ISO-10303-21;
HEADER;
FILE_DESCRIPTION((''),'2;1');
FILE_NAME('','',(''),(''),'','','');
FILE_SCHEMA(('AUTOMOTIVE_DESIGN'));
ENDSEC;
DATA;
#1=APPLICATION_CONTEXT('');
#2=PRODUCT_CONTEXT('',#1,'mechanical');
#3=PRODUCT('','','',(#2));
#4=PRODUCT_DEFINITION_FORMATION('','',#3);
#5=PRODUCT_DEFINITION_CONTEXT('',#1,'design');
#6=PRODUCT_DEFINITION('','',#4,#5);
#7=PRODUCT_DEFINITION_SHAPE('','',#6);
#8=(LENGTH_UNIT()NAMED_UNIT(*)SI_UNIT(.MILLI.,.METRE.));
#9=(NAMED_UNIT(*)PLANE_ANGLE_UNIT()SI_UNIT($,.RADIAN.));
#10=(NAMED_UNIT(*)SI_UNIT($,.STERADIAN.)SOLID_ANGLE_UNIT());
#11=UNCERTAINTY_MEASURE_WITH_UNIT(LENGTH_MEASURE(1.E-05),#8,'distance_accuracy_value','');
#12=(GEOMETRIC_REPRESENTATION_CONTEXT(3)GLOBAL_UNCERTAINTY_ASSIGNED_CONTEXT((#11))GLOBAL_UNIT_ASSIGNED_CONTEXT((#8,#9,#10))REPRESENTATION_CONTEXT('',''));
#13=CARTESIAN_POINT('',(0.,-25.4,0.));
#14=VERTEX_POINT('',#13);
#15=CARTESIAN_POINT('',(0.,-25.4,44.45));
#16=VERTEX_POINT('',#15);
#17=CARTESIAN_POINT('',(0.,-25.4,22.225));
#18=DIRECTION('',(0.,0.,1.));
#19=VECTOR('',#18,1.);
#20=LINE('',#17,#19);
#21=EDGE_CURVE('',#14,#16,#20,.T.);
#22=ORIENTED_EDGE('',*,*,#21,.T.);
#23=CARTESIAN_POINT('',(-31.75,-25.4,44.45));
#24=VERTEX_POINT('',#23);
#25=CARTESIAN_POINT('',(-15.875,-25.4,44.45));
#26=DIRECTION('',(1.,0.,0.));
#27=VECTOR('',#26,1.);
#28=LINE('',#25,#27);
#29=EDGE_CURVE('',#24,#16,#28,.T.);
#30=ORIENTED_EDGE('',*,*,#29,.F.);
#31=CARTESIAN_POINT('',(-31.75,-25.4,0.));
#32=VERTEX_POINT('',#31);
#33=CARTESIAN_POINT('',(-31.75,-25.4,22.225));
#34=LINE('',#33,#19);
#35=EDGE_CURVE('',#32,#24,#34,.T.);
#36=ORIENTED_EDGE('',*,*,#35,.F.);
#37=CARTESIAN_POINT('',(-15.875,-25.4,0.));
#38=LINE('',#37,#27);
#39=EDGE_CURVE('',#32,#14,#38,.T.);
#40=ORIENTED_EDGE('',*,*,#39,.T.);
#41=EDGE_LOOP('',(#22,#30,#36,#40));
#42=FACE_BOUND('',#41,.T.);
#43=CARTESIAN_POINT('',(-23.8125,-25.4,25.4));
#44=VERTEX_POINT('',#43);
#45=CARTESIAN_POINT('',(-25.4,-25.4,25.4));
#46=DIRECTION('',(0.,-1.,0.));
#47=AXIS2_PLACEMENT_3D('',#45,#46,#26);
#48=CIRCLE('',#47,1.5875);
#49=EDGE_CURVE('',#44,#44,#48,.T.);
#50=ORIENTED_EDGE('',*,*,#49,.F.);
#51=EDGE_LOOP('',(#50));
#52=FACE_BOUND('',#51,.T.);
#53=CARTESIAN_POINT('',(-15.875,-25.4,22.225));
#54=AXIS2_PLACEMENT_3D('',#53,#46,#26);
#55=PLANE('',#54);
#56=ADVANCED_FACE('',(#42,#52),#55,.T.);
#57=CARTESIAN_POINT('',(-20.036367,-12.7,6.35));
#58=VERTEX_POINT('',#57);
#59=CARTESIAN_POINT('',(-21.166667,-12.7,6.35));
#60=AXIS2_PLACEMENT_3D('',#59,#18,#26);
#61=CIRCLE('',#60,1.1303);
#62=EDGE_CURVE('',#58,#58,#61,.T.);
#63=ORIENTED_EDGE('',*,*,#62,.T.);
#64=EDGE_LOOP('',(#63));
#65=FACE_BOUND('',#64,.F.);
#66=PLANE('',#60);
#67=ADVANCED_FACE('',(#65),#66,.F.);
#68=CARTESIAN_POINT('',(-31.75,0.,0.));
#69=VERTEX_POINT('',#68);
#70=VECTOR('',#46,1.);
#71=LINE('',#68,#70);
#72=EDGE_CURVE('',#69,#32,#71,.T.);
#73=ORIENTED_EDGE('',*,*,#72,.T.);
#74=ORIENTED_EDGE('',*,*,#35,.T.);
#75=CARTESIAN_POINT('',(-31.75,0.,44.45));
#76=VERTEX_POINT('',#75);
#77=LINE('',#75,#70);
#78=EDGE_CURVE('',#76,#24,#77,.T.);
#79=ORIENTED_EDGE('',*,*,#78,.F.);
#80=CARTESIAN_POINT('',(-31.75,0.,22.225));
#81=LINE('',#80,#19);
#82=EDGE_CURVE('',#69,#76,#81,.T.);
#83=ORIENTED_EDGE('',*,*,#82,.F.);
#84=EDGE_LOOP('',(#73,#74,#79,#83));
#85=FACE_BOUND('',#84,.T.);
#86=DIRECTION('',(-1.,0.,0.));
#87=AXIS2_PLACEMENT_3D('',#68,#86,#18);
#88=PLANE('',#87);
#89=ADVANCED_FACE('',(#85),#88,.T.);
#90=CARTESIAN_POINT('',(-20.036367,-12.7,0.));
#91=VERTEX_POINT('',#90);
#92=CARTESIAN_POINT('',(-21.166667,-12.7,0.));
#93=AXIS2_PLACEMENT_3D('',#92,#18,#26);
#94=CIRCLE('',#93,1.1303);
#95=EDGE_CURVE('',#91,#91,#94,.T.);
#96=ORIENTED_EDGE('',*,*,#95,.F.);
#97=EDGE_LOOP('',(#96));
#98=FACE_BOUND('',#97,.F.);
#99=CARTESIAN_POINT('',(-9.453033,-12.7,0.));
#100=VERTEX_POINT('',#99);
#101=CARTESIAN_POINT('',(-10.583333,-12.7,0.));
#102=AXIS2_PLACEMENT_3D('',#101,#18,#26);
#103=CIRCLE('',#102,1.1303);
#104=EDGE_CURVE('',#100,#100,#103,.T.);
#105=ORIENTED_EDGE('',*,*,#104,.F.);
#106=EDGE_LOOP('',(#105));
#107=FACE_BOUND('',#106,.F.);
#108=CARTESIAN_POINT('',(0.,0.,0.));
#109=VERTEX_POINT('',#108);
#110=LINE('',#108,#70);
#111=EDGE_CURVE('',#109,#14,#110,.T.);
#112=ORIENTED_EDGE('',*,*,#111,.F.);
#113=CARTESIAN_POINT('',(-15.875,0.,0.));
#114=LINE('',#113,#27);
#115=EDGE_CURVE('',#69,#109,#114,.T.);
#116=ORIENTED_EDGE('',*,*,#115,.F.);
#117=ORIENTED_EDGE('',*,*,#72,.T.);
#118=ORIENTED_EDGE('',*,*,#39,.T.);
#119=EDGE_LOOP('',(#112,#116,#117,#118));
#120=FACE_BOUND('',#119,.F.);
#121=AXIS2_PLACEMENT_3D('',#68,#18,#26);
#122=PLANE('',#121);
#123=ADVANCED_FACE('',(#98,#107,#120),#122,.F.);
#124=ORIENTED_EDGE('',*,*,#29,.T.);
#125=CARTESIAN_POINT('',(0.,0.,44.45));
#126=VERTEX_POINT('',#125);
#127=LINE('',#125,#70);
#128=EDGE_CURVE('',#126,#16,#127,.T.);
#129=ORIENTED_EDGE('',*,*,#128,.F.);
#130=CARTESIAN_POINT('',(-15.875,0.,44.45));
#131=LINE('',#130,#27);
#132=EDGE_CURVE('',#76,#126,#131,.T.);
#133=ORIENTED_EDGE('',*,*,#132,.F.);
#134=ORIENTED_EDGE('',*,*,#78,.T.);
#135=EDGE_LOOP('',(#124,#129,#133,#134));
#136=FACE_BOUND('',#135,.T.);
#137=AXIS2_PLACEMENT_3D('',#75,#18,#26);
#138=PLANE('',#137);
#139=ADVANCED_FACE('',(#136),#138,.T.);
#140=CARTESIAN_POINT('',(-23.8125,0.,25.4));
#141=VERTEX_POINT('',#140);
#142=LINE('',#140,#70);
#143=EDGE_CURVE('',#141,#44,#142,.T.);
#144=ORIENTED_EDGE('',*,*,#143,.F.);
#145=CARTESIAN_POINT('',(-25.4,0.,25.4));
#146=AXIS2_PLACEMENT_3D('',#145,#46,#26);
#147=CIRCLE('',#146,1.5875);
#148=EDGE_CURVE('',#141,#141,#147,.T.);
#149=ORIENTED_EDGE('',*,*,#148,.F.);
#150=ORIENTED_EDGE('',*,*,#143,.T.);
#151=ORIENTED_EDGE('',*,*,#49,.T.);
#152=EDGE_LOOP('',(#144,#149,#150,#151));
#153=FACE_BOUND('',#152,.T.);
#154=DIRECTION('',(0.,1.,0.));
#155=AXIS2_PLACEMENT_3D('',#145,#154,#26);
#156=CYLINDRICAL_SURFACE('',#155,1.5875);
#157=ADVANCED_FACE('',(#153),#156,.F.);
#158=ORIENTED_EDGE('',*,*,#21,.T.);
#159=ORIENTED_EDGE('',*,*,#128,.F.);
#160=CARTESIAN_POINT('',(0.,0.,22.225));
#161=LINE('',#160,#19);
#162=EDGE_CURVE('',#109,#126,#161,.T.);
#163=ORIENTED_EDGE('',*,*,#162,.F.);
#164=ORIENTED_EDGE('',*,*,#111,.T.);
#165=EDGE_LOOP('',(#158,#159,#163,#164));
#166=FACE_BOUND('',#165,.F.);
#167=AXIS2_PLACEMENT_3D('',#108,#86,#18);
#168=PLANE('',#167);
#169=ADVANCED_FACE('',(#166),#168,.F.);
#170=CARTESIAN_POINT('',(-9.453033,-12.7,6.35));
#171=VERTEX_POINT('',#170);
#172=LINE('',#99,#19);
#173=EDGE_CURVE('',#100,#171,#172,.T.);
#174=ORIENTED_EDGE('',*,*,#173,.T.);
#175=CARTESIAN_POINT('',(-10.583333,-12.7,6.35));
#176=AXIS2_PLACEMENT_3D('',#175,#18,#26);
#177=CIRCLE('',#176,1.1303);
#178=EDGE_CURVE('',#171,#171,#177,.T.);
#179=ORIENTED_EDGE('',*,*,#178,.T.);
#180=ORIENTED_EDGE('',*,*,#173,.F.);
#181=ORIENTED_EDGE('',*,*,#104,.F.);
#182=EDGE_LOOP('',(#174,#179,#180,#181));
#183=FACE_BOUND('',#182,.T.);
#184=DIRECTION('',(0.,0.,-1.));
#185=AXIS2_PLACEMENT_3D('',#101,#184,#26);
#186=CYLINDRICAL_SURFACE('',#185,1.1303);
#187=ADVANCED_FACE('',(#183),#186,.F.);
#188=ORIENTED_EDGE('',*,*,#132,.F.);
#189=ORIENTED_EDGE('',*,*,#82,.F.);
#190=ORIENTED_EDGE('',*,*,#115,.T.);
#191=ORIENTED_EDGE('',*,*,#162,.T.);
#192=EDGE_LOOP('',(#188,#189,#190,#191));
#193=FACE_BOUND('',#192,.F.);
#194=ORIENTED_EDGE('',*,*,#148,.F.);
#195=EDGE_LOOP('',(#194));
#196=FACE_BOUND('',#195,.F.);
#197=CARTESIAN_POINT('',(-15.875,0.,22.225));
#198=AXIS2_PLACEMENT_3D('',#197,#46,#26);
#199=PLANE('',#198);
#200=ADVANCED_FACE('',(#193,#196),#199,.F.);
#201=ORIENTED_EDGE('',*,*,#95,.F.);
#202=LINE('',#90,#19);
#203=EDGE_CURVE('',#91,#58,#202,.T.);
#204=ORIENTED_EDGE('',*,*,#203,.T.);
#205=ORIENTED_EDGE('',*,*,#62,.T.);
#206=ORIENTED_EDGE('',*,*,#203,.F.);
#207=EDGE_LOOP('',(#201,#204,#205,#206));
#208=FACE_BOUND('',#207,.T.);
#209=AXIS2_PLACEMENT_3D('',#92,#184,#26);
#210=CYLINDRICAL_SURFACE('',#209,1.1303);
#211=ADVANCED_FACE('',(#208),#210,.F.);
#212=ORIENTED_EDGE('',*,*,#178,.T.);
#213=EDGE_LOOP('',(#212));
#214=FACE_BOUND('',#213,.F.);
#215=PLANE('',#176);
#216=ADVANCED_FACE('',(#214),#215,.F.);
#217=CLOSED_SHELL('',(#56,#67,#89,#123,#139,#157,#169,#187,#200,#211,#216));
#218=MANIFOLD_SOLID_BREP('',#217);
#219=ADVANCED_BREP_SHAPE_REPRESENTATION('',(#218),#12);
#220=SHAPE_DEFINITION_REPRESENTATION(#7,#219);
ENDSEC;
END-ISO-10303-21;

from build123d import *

# Parameters (mm, degrees)
F0_W     = 31.75
F0_H     = 44.45
F0_R     = 1.5875
F1_DEPTH = 25.4
F2_R     = 1.1303
F3_DEPTH = 6.35


with BuildPart() as f1:
    # F0 (on Front) → F1 (new body)
    with BuildSketch(Plane.XZ):
        with Locations((-15.875, 22.225)):
            Rectangle(F0_W, F0_H)
        with Locations((-25.4, 25.4)):
            Circle(F0_R, mode=Mode.SUBTRACT)
    extrude(amount=F1_DEPTH)

    # F2 (on Top) → F3 (cut)
    with BuildSketch(Plane.XY):
        with Locations((-21.166667, -12.7)):
            Circle(F2_R)
        with Locations((-10.583333, -12.7)):
            Circle(F2_R)
    extrude(amount=F3_DEPTH, mode=Mode.SUBTRACT)


solid = f1.part
